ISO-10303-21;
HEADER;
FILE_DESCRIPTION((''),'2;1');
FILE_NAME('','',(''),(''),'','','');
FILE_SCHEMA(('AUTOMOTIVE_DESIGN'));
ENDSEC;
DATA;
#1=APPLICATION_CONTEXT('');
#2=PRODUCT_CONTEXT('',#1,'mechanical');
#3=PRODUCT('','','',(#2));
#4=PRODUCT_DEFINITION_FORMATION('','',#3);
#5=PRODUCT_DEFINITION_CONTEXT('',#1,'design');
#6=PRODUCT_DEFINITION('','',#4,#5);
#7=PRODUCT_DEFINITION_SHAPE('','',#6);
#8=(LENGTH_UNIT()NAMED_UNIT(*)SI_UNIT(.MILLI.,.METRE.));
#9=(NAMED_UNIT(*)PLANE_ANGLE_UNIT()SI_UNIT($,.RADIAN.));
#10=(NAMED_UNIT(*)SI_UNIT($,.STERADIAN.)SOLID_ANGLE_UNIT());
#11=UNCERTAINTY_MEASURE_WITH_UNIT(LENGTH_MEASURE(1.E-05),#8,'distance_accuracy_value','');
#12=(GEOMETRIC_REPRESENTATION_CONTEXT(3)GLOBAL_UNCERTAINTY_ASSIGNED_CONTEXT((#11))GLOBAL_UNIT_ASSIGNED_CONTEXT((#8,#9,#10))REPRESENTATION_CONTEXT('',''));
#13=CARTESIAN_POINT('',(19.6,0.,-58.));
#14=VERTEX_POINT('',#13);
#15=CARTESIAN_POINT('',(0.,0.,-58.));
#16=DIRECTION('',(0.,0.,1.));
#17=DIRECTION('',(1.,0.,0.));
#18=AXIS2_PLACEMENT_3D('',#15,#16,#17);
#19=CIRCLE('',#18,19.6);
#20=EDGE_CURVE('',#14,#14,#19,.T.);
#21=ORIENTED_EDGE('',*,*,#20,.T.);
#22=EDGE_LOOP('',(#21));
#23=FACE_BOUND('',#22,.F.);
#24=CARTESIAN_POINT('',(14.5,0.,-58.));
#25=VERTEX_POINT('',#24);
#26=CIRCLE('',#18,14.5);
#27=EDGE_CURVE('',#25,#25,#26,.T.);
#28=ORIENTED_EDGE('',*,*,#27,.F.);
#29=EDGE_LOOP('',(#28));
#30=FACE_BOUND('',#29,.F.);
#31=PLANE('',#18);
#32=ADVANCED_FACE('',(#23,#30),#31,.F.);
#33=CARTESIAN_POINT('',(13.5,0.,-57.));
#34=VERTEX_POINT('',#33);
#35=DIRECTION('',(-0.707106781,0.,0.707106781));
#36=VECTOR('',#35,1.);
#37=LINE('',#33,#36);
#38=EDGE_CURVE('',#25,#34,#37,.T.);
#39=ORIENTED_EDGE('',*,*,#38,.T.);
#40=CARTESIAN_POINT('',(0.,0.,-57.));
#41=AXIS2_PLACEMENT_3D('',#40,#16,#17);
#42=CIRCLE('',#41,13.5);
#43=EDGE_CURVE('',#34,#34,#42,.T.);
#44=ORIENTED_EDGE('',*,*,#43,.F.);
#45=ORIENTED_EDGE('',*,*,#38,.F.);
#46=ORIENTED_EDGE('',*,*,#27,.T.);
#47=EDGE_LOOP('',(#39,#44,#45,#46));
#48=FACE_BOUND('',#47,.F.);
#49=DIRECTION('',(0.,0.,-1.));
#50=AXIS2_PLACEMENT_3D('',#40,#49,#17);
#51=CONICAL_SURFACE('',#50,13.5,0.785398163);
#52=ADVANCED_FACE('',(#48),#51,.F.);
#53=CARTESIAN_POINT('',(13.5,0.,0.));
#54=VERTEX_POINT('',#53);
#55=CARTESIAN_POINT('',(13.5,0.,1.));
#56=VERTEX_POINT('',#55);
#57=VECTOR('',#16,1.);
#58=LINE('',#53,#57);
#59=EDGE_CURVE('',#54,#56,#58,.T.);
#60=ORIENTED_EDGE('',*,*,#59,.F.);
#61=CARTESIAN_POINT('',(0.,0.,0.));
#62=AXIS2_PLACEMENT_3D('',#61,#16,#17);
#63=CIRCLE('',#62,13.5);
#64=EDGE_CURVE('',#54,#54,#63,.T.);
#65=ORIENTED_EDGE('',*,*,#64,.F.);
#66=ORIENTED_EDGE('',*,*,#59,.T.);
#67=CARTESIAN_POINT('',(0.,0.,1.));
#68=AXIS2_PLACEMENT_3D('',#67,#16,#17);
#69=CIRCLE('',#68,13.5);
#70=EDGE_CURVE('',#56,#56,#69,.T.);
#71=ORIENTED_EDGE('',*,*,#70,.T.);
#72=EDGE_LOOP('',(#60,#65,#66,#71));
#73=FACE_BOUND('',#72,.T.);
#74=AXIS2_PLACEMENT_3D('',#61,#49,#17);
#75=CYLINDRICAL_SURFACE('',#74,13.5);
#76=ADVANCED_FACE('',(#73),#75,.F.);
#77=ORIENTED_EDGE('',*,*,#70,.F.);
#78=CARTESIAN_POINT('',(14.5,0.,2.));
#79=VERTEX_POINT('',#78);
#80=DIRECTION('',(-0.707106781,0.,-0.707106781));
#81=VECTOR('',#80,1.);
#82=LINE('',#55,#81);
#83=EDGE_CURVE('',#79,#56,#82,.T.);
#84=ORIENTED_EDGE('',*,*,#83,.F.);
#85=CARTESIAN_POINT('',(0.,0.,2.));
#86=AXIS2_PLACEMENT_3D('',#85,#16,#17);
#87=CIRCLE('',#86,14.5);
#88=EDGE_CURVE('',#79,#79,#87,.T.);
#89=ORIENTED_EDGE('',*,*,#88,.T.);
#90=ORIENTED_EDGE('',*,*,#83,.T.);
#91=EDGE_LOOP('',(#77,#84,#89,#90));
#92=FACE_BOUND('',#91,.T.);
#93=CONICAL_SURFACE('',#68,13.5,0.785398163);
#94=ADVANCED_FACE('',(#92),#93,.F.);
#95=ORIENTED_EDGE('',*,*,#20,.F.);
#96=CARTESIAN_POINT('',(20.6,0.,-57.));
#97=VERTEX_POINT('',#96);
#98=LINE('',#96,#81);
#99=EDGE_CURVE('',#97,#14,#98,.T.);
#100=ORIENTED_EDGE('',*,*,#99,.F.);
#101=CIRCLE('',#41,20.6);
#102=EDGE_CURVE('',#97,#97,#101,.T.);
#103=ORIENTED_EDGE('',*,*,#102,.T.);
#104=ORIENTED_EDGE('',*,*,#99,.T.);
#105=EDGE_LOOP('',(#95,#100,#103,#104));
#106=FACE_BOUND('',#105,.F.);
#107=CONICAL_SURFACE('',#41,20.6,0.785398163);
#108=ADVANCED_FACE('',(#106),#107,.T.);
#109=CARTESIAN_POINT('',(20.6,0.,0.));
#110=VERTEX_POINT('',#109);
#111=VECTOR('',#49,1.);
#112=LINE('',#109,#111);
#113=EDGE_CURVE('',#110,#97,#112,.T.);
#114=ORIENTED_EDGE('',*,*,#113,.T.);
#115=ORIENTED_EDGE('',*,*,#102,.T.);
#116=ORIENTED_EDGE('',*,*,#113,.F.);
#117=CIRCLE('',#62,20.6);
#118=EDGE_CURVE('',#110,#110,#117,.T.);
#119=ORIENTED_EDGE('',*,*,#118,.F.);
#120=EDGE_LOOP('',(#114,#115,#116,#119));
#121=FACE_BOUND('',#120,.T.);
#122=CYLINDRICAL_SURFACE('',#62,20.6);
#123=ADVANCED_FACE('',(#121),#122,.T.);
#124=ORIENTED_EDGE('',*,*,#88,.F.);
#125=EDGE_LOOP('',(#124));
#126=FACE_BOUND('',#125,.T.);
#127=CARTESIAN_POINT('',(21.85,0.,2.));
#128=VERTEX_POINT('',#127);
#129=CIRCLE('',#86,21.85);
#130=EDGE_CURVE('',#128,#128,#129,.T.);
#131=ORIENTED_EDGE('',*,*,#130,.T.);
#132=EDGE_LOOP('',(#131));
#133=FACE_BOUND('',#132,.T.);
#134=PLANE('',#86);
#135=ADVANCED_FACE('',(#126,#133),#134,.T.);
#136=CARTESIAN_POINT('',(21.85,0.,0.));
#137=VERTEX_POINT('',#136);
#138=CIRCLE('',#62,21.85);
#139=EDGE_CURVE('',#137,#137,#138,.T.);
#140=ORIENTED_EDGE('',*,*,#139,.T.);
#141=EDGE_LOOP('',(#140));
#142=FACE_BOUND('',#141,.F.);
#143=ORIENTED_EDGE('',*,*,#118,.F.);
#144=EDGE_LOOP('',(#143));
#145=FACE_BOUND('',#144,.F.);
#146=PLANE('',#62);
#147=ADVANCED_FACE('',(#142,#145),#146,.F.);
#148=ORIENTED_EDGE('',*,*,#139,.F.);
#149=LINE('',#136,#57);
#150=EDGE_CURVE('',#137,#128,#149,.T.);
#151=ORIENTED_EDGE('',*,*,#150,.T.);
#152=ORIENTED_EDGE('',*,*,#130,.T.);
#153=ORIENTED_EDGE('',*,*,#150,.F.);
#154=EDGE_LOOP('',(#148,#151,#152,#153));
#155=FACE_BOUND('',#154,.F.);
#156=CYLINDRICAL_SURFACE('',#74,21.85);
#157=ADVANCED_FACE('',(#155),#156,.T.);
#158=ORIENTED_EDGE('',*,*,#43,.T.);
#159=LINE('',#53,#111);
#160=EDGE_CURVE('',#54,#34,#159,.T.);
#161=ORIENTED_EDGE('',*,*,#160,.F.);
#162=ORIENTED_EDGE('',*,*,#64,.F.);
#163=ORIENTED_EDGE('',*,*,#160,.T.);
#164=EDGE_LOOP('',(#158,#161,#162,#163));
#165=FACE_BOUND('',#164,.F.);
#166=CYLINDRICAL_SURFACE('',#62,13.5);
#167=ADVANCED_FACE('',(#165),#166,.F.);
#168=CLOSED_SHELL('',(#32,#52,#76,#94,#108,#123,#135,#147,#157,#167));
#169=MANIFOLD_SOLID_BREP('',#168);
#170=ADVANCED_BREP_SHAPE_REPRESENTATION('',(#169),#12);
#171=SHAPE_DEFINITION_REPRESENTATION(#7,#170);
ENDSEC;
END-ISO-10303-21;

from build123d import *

# Parameters (mm, degrees)
F0_R     = 21.85
F0_R_2   = 20.6
F0_R_3   = 15
F0_R_4   = 13.5
F1_DEPTH = 2
F2_DEPTH = 58
F3_SIZE  = 1


with BuildPart() as f1:
    # F0 (on Top) → F1 (new body)
    with BuildSketch(Plane.XY):
        Circle(F0_R)
        Circle(F0_R_2, mode=Mode.SUBTRACT)
        Circle(F0_R_2)
        Circle(F0_R_3, mode=Mode.SUBTRACT)
        Circle(F0_R_3)
        Circle(F0_R_4, mode=Mode.SUBTRACT)
    extrude(amount=F1_DEPTH)

    # F0 (on Top) → F2 (join)
    with BuildSketch(Plane.XY):
        Circle(F0_R_2)
        Circle(F0_R_3, mode=Mode.SUBTRACT)
        Circle(F0_R_3)
        Circle(F0_R_4, mode=Mode.SUBTRACT)
    extrude(amount=-F2_DEPTH)

    # F3
    f3_edges = [f1.edges().sort_by_distance(p)[0] for p in [
        (-20.6, 0, -58),
        (-13.5, 0, -58),
        (-13.5, 0, 2),
    ]]
    chamfer(f3_edges, length=F3_SIZE)


solid = f1.part
